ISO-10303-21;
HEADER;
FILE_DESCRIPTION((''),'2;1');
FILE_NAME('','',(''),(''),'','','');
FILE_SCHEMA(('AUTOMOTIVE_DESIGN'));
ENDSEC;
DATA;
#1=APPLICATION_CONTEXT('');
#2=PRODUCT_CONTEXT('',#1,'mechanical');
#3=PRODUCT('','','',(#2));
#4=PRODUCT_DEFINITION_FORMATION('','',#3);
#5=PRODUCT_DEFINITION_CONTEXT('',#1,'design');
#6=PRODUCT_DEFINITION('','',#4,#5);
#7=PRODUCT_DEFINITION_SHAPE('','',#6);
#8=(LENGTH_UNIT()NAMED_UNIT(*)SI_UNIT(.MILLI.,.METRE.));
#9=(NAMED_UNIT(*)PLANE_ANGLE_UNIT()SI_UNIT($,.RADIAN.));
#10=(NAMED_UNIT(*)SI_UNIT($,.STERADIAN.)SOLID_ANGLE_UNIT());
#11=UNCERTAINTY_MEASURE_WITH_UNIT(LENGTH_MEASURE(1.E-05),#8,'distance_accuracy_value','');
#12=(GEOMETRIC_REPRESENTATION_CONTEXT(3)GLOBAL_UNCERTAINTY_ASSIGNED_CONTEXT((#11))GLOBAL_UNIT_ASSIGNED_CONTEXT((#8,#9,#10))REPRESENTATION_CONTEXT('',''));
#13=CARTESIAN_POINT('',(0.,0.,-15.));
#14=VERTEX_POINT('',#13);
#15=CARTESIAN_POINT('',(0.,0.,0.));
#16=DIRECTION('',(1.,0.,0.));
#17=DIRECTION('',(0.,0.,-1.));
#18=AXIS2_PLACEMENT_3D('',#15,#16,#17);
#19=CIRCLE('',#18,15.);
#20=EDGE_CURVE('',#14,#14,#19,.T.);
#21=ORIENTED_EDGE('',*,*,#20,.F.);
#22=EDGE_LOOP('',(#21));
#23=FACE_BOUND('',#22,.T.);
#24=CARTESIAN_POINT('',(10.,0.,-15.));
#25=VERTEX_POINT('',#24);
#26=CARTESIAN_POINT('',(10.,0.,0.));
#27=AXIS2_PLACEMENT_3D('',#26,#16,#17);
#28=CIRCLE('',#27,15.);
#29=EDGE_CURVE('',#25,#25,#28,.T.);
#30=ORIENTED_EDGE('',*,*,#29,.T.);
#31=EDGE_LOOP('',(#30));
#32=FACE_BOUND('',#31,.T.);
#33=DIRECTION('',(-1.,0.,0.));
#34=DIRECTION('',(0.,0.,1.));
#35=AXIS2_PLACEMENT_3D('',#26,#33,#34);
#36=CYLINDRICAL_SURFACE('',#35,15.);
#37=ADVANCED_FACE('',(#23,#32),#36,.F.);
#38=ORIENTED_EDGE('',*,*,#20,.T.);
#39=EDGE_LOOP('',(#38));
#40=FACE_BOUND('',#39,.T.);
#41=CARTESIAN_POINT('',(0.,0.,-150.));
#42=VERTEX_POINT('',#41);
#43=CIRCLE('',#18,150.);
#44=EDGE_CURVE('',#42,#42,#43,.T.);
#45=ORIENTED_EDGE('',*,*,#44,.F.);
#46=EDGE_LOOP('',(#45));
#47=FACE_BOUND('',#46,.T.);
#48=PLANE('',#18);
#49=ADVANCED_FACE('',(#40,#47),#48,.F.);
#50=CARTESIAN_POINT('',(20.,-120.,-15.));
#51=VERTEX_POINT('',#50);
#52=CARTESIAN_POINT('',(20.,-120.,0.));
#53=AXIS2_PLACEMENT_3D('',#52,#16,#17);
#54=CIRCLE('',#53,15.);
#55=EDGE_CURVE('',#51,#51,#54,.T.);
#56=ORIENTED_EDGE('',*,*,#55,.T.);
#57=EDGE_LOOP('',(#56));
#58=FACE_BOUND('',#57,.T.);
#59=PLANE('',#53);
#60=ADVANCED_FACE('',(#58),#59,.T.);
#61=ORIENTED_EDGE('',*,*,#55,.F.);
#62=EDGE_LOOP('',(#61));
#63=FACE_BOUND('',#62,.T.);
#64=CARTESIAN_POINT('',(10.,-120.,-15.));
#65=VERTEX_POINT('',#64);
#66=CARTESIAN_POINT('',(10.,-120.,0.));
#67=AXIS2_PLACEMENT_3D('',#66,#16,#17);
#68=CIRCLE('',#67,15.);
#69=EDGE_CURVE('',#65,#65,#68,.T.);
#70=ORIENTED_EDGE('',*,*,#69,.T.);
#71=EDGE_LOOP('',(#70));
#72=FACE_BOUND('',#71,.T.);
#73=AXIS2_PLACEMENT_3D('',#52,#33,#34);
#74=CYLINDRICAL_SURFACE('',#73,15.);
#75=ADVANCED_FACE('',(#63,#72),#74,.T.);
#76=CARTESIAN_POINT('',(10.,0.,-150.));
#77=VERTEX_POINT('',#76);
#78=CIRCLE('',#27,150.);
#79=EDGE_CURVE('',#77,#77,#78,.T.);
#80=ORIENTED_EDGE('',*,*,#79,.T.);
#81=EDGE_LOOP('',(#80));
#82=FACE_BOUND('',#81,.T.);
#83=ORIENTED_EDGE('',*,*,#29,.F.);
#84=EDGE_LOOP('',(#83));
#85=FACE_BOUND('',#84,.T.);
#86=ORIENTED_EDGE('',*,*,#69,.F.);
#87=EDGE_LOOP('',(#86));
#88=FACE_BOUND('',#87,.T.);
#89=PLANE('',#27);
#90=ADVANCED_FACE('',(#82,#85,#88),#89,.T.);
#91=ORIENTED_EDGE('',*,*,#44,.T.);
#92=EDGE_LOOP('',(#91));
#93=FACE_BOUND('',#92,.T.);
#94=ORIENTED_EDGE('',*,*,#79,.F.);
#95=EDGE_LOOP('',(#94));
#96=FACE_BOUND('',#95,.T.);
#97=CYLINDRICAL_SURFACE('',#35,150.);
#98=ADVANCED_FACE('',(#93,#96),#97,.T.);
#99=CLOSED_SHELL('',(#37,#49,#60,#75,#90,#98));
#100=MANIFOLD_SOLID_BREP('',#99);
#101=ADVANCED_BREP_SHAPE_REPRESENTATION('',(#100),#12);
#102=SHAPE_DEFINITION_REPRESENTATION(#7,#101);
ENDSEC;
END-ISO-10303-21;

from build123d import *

# Parameters (mm, degrees)
SKETCH1_R           = 150
SKETCH1_R_2         = 15
BOSS_EXTRUDE1_DEPTH = 10
SKETCH2_R           = 15
BOSS_EXTRUDE2_DEPTH = 10


with BuildPart() as part:
    # Sketch1 → Boss-Extrude1 (new body)
    with BuildSketch(Plane(origin=(0, 0, 0), x_dir=(0, 0, -1), z_dir=(1, 0, 0))):
        Circle(SKETCH1_R)
        Circle(SKETCH1_R_2, mode=Mode.SUBTRACT)
    extrude(amount=BOSS_EXTRUDE1_DEPTH)

    # Sketch2 → Boss-Extrude2 (add)
    with BuildSketch(Plane(origin=(10, 0, 0), x_dir=(0, 0, -1), z_dir=(1, 0, 0))):
        with Locations((0, -120)):
            Circle(SKETCH2_R)
    extrude(amount=BOSS_EXTRUDE2_DEPTH)


solid = part.part
